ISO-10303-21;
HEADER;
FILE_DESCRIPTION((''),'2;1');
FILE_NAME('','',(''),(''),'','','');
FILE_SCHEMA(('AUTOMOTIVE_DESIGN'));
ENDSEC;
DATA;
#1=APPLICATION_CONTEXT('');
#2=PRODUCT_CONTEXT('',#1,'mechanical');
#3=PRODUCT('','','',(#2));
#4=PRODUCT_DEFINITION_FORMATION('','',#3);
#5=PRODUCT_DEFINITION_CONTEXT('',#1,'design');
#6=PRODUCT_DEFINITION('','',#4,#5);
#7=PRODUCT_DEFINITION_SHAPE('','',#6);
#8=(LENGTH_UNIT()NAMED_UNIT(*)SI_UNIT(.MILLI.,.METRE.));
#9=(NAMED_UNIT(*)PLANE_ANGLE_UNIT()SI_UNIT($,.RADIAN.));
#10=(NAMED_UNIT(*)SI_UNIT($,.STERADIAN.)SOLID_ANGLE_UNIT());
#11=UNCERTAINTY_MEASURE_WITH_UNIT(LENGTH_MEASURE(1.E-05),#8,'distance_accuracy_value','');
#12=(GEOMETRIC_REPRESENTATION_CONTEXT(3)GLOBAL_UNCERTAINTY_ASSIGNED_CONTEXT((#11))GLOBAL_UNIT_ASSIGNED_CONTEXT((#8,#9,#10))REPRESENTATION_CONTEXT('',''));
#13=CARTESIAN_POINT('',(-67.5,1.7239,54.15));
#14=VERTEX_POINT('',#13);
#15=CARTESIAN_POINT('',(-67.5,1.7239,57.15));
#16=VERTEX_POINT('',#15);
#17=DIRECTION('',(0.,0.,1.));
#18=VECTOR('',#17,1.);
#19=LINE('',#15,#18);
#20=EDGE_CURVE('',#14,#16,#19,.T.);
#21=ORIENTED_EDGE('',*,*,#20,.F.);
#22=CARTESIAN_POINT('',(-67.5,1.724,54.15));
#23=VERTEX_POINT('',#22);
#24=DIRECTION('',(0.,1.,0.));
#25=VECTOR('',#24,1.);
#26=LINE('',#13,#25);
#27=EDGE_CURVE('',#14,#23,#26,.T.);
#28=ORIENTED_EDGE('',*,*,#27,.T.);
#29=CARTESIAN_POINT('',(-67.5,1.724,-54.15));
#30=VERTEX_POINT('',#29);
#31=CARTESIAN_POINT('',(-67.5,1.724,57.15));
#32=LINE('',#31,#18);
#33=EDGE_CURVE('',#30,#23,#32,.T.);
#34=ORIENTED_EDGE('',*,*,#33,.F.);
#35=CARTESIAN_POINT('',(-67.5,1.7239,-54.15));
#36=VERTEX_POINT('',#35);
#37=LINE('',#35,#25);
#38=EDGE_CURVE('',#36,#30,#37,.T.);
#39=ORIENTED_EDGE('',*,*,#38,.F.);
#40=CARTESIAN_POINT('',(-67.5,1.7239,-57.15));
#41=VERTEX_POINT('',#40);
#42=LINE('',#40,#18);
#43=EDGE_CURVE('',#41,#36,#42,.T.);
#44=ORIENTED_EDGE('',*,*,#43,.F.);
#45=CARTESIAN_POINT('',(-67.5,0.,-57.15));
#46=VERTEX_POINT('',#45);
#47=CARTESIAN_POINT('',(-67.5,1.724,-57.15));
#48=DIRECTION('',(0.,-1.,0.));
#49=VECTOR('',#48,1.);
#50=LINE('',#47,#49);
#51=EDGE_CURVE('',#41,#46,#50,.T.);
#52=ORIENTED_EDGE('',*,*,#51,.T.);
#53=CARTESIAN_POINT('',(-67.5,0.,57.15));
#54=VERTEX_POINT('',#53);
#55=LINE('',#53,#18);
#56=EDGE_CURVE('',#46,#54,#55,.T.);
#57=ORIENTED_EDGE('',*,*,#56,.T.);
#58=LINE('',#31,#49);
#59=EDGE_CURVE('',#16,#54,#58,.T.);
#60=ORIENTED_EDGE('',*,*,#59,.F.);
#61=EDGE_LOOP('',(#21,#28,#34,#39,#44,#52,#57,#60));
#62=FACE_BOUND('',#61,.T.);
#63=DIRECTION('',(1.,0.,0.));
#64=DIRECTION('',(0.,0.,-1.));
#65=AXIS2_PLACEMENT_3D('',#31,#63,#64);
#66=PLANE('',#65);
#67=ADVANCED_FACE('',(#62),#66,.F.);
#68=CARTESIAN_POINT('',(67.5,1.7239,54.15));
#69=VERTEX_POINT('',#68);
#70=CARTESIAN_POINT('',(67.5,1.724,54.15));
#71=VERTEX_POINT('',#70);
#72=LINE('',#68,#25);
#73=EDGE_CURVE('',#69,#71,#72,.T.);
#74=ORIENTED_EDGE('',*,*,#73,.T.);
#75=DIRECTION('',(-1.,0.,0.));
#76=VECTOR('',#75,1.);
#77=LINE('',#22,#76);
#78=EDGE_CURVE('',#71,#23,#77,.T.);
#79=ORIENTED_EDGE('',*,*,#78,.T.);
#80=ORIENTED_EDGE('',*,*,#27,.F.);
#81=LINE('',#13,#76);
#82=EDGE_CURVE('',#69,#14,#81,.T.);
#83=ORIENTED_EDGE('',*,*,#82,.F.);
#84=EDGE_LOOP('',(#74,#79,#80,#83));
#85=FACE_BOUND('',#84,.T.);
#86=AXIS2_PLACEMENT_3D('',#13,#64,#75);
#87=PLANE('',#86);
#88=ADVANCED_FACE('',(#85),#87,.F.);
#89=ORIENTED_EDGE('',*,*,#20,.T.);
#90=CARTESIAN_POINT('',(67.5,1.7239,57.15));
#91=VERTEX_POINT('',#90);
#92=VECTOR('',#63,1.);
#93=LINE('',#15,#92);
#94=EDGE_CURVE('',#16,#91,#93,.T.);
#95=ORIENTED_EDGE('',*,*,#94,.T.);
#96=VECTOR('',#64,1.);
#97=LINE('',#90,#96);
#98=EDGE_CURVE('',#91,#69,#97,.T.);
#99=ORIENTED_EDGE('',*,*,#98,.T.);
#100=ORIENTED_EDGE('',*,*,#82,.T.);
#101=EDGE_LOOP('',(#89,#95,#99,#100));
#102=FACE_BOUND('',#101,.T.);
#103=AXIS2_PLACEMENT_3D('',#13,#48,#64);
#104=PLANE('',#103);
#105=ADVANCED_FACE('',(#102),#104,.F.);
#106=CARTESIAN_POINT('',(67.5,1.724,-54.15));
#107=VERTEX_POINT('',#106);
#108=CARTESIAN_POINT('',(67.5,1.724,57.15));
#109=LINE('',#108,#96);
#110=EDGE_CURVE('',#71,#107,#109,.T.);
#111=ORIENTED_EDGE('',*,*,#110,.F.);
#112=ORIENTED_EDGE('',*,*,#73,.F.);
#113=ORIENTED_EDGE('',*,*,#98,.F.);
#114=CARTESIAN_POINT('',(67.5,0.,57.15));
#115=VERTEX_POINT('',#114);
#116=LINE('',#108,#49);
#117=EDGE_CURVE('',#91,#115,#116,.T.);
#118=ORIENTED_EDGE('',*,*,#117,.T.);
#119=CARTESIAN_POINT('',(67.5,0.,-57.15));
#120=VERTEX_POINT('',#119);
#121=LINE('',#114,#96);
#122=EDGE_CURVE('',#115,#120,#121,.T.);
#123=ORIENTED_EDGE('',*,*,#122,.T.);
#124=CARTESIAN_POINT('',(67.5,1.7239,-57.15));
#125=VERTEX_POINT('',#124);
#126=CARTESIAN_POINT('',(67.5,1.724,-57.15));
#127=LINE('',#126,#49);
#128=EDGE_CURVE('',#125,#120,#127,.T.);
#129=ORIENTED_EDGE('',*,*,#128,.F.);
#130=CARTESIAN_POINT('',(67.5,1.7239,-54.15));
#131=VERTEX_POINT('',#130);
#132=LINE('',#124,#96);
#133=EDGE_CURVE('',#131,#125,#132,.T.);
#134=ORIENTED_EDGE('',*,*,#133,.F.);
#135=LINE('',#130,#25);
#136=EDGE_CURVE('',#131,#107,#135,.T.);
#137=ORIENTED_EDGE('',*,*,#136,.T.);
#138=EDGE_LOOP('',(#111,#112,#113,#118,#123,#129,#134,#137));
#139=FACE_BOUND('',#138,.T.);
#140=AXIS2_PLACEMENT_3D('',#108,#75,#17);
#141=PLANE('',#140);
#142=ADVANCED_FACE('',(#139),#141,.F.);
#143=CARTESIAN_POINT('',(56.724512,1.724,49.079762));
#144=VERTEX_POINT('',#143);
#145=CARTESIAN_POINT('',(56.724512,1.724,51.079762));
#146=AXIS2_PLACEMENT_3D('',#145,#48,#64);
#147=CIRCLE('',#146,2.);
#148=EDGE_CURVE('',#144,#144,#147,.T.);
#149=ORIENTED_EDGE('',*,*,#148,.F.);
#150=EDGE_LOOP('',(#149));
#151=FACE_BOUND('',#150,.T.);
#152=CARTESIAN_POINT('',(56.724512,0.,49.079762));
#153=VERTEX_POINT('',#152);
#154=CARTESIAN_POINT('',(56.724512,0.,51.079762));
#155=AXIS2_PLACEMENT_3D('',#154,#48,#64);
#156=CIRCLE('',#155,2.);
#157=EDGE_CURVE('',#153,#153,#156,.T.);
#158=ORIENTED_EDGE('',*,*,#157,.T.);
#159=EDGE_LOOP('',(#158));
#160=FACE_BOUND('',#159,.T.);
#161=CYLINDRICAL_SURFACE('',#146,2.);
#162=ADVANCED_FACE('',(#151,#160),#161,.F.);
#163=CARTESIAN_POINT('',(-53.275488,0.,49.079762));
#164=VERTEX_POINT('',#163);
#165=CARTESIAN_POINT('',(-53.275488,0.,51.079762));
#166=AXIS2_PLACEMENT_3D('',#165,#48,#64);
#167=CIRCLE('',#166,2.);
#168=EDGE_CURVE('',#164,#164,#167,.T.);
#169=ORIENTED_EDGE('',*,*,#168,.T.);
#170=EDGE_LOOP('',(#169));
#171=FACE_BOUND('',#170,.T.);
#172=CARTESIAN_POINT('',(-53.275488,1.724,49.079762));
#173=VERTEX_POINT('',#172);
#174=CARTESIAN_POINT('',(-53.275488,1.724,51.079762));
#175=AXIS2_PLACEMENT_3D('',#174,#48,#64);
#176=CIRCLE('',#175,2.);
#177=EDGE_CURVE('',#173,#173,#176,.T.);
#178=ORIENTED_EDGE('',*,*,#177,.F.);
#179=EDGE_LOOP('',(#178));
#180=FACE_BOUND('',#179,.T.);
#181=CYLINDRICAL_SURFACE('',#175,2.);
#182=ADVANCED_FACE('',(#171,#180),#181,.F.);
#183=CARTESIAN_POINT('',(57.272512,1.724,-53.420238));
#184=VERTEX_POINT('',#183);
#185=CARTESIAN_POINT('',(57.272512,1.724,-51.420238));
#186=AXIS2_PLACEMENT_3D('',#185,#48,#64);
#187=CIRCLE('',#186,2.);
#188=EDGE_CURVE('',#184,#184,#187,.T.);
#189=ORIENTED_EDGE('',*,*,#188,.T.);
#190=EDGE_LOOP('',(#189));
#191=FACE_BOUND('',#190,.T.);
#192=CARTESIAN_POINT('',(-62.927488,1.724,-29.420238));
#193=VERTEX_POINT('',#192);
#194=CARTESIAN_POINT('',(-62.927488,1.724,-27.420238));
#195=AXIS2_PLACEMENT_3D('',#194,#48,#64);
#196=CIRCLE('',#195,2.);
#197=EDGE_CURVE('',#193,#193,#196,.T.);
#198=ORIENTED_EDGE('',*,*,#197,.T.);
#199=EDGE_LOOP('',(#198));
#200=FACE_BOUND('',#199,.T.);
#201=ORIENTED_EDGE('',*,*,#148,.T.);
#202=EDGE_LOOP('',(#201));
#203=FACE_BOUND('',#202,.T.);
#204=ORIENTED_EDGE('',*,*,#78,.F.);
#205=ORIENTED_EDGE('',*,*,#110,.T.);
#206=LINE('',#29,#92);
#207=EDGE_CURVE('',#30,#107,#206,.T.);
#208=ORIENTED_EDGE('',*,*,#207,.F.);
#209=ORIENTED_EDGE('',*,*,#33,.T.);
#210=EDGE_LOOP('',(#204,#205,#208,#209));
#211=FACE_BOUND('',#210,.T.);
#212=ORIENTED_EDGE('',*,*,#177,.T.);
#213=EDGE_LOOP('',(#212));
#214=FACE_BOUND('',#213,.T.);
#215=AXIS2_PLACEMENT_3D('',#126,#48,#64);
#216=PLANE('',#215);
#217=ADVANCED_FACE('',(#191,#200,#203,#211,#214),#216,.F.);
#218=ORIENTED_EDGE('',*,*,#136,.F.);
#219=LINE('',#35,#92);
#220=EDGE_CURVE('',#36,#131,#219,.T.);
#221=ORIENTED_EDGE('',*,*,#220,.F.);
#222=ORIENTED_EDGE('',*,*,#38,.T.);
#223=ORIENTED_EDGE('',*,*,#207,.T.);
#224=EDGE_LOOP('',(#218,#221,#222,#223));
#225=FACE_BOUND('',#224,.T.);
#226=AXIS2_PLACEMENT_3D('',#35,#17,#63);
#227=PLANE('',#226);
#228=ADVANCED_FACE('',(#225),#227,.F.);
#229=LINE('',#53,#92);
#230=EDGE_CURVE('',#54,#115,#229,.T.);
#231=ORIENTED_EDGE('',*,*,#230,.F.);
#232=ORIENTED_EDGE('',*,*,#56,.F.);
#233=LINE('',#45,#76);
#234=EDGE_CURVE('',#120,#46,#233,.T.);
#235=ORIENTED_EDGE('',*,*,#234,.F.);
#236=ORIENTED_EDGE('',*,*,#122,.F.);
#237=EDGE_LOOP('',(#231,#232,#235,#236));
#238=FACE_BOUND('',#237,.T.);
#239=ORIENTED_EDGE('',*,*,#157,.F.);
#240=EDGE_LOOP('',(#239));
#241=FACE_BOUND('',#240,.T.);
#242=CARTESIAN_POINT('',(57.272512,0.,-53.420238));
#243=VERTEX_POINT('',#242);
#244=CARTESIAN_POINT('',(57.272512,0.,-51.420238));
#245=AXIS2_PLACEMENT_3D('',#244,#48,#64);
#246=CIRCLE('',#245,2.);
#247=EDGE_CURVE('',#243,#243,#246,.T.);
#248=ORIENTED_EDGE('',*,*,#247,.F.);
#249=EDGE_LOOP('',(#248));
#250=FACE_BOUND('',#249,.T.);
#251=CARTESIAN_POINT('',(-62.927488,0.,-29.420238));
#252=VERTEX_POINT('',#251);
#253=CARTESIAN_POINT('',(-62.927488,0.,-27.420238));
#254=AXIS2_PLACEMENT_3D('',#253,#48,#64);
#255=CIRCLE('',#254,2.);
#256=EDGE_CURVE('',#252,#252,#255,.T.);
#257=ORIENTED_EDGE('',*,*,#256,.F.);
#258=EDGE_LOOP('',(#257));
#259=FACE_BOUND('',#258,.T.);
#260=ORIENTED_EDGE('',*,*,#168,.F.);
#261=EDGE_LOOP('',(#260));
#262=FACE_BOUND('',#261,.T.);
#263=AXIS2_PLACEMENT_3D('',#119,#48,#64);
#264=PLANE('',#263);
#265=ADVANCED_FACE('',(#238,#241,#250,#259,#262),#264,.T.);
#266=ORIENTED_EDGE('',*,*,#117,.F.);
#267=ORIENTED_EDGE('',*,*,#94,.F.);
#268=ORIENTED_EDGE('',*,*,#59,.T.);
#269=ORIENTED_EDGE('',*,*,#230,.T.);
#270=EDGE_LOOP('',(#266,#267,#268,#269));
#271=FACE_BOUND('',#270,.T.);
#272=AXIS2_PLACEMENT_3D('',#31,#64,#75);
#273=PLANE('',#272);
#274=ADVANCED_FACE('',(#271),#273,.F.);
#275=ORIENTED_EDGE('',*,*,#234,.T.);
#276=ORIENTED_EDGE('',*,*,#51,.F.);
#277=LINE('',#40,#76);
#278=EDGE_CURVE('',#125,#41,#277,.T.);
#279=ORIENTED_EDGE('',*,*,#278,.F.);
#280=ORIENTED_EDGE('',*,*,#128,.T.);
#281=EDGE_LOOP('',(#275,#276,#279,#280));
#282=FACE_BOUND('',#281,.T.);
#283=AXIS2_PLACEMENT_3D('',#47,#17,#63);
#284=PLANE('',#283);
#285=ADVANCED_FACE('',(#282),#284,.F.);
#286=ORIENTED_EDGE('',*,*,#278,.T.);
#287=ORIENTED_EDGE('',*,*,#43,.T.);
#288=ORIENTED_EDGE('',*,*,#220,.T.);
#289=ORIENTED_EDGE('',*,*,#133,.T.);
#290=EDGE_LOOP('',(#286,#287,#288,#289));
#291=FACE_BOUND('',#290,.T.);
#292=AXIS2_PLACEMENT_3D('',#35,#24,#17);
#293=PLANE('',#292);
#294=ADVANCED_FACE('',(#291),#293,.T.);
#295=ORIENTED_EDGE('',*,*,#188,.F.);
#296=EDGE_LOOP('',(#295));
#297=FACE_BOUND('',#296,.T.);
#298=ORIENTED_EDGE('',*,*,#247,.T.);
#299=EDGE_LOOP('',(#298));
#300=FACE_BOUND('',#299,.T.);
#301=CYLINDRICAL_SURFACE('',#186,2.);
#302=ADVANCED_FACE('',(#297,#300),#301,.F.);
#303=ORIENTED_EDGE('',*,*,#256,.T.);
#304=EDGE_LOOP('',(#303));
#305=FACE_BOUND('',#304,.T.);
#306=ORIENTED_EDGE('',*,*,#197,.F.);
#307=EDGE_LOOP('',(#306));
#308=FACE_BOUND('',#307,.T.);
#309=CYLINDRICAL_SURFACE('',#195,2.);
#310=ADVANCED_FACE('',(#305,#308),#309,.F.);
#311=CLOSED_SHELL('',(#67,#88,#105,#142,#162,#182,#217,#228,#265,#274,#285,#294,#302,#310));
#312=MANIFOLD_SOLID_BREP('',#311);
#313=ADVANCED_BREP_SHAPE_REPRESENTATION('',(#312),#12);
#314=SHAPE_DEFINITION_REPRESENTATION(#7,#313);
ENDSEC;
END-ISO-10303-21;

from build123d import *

# Parameters (mm, degrees)
SKETCH1_W           = 135
SKETCH1_H           = 114.3
BOSS_EXTRUDE1_DEPTH = 1.724
SKETCH3_W           = 135
SKETCH3_H           = 3
CUT_EXTRUDE2_DEPTH  = 0.0001
SKETCH4_R           = 2
CUT_EXTRUDE3_DEPTH  = 89.460978267


with BuildPart() as part:
    # Sketch1 → Boss-Extrude1 (new body)
    with BuildSketch(Plane(origin=(0, 0, 0), x_dir=(1, 0, 0), z_dir=(0, 1, 0))):
        Rectangle(SKETCH1_W, SKETCH1_H)
    extrude(amount=BOSS_EXTRUDE1_DEPTH)

    # Sketch3 → Cut-Extrude2 (cut)
    with BuildSketch(Plane(origin=(0, 1.724, 0), x_dir=(1, 0, 0), z_dir=(0, 1, 0))):
        with Locations((0, 55.65)):
            Rectangle(SKETCH3_W, SKETCH3_H)
        with Locations((0, -55.65)):
            Rectangle(SKETCH3_W, SKETCH3_H)
    extrude(amount=-CUT_EXTRUDE2_DEPTH, mode=Mode.SUBTRACT)

    # Sketch4 → Cut-Extrude3 (cut, through all)
    with BuildSketch(Plane.XZ):
        with Locations(Location((-53.275487911, 51.079761641, 0), (0, 0, 270))):
            Circle(SKETCH4_R)
        with Locations(Location((56.724512089, 51.079761641, 0), (0, 0, 270))):
            Circle(SKETCH4_R)
        with Locations(Location((57.272512089, -51.420238359, 0), (0, 0, 270))):
            Circle(SKETCH4_R)
        with Locations(Location((-62.927487911, -27.420238359, 0), (0, 0, 270))):
            Circle(SKETCH4_R)
    extrude(amount=-CUT_EXTRUDE3_DEPTH, mode=Mode.SUBTRACT)


solid = part.part
